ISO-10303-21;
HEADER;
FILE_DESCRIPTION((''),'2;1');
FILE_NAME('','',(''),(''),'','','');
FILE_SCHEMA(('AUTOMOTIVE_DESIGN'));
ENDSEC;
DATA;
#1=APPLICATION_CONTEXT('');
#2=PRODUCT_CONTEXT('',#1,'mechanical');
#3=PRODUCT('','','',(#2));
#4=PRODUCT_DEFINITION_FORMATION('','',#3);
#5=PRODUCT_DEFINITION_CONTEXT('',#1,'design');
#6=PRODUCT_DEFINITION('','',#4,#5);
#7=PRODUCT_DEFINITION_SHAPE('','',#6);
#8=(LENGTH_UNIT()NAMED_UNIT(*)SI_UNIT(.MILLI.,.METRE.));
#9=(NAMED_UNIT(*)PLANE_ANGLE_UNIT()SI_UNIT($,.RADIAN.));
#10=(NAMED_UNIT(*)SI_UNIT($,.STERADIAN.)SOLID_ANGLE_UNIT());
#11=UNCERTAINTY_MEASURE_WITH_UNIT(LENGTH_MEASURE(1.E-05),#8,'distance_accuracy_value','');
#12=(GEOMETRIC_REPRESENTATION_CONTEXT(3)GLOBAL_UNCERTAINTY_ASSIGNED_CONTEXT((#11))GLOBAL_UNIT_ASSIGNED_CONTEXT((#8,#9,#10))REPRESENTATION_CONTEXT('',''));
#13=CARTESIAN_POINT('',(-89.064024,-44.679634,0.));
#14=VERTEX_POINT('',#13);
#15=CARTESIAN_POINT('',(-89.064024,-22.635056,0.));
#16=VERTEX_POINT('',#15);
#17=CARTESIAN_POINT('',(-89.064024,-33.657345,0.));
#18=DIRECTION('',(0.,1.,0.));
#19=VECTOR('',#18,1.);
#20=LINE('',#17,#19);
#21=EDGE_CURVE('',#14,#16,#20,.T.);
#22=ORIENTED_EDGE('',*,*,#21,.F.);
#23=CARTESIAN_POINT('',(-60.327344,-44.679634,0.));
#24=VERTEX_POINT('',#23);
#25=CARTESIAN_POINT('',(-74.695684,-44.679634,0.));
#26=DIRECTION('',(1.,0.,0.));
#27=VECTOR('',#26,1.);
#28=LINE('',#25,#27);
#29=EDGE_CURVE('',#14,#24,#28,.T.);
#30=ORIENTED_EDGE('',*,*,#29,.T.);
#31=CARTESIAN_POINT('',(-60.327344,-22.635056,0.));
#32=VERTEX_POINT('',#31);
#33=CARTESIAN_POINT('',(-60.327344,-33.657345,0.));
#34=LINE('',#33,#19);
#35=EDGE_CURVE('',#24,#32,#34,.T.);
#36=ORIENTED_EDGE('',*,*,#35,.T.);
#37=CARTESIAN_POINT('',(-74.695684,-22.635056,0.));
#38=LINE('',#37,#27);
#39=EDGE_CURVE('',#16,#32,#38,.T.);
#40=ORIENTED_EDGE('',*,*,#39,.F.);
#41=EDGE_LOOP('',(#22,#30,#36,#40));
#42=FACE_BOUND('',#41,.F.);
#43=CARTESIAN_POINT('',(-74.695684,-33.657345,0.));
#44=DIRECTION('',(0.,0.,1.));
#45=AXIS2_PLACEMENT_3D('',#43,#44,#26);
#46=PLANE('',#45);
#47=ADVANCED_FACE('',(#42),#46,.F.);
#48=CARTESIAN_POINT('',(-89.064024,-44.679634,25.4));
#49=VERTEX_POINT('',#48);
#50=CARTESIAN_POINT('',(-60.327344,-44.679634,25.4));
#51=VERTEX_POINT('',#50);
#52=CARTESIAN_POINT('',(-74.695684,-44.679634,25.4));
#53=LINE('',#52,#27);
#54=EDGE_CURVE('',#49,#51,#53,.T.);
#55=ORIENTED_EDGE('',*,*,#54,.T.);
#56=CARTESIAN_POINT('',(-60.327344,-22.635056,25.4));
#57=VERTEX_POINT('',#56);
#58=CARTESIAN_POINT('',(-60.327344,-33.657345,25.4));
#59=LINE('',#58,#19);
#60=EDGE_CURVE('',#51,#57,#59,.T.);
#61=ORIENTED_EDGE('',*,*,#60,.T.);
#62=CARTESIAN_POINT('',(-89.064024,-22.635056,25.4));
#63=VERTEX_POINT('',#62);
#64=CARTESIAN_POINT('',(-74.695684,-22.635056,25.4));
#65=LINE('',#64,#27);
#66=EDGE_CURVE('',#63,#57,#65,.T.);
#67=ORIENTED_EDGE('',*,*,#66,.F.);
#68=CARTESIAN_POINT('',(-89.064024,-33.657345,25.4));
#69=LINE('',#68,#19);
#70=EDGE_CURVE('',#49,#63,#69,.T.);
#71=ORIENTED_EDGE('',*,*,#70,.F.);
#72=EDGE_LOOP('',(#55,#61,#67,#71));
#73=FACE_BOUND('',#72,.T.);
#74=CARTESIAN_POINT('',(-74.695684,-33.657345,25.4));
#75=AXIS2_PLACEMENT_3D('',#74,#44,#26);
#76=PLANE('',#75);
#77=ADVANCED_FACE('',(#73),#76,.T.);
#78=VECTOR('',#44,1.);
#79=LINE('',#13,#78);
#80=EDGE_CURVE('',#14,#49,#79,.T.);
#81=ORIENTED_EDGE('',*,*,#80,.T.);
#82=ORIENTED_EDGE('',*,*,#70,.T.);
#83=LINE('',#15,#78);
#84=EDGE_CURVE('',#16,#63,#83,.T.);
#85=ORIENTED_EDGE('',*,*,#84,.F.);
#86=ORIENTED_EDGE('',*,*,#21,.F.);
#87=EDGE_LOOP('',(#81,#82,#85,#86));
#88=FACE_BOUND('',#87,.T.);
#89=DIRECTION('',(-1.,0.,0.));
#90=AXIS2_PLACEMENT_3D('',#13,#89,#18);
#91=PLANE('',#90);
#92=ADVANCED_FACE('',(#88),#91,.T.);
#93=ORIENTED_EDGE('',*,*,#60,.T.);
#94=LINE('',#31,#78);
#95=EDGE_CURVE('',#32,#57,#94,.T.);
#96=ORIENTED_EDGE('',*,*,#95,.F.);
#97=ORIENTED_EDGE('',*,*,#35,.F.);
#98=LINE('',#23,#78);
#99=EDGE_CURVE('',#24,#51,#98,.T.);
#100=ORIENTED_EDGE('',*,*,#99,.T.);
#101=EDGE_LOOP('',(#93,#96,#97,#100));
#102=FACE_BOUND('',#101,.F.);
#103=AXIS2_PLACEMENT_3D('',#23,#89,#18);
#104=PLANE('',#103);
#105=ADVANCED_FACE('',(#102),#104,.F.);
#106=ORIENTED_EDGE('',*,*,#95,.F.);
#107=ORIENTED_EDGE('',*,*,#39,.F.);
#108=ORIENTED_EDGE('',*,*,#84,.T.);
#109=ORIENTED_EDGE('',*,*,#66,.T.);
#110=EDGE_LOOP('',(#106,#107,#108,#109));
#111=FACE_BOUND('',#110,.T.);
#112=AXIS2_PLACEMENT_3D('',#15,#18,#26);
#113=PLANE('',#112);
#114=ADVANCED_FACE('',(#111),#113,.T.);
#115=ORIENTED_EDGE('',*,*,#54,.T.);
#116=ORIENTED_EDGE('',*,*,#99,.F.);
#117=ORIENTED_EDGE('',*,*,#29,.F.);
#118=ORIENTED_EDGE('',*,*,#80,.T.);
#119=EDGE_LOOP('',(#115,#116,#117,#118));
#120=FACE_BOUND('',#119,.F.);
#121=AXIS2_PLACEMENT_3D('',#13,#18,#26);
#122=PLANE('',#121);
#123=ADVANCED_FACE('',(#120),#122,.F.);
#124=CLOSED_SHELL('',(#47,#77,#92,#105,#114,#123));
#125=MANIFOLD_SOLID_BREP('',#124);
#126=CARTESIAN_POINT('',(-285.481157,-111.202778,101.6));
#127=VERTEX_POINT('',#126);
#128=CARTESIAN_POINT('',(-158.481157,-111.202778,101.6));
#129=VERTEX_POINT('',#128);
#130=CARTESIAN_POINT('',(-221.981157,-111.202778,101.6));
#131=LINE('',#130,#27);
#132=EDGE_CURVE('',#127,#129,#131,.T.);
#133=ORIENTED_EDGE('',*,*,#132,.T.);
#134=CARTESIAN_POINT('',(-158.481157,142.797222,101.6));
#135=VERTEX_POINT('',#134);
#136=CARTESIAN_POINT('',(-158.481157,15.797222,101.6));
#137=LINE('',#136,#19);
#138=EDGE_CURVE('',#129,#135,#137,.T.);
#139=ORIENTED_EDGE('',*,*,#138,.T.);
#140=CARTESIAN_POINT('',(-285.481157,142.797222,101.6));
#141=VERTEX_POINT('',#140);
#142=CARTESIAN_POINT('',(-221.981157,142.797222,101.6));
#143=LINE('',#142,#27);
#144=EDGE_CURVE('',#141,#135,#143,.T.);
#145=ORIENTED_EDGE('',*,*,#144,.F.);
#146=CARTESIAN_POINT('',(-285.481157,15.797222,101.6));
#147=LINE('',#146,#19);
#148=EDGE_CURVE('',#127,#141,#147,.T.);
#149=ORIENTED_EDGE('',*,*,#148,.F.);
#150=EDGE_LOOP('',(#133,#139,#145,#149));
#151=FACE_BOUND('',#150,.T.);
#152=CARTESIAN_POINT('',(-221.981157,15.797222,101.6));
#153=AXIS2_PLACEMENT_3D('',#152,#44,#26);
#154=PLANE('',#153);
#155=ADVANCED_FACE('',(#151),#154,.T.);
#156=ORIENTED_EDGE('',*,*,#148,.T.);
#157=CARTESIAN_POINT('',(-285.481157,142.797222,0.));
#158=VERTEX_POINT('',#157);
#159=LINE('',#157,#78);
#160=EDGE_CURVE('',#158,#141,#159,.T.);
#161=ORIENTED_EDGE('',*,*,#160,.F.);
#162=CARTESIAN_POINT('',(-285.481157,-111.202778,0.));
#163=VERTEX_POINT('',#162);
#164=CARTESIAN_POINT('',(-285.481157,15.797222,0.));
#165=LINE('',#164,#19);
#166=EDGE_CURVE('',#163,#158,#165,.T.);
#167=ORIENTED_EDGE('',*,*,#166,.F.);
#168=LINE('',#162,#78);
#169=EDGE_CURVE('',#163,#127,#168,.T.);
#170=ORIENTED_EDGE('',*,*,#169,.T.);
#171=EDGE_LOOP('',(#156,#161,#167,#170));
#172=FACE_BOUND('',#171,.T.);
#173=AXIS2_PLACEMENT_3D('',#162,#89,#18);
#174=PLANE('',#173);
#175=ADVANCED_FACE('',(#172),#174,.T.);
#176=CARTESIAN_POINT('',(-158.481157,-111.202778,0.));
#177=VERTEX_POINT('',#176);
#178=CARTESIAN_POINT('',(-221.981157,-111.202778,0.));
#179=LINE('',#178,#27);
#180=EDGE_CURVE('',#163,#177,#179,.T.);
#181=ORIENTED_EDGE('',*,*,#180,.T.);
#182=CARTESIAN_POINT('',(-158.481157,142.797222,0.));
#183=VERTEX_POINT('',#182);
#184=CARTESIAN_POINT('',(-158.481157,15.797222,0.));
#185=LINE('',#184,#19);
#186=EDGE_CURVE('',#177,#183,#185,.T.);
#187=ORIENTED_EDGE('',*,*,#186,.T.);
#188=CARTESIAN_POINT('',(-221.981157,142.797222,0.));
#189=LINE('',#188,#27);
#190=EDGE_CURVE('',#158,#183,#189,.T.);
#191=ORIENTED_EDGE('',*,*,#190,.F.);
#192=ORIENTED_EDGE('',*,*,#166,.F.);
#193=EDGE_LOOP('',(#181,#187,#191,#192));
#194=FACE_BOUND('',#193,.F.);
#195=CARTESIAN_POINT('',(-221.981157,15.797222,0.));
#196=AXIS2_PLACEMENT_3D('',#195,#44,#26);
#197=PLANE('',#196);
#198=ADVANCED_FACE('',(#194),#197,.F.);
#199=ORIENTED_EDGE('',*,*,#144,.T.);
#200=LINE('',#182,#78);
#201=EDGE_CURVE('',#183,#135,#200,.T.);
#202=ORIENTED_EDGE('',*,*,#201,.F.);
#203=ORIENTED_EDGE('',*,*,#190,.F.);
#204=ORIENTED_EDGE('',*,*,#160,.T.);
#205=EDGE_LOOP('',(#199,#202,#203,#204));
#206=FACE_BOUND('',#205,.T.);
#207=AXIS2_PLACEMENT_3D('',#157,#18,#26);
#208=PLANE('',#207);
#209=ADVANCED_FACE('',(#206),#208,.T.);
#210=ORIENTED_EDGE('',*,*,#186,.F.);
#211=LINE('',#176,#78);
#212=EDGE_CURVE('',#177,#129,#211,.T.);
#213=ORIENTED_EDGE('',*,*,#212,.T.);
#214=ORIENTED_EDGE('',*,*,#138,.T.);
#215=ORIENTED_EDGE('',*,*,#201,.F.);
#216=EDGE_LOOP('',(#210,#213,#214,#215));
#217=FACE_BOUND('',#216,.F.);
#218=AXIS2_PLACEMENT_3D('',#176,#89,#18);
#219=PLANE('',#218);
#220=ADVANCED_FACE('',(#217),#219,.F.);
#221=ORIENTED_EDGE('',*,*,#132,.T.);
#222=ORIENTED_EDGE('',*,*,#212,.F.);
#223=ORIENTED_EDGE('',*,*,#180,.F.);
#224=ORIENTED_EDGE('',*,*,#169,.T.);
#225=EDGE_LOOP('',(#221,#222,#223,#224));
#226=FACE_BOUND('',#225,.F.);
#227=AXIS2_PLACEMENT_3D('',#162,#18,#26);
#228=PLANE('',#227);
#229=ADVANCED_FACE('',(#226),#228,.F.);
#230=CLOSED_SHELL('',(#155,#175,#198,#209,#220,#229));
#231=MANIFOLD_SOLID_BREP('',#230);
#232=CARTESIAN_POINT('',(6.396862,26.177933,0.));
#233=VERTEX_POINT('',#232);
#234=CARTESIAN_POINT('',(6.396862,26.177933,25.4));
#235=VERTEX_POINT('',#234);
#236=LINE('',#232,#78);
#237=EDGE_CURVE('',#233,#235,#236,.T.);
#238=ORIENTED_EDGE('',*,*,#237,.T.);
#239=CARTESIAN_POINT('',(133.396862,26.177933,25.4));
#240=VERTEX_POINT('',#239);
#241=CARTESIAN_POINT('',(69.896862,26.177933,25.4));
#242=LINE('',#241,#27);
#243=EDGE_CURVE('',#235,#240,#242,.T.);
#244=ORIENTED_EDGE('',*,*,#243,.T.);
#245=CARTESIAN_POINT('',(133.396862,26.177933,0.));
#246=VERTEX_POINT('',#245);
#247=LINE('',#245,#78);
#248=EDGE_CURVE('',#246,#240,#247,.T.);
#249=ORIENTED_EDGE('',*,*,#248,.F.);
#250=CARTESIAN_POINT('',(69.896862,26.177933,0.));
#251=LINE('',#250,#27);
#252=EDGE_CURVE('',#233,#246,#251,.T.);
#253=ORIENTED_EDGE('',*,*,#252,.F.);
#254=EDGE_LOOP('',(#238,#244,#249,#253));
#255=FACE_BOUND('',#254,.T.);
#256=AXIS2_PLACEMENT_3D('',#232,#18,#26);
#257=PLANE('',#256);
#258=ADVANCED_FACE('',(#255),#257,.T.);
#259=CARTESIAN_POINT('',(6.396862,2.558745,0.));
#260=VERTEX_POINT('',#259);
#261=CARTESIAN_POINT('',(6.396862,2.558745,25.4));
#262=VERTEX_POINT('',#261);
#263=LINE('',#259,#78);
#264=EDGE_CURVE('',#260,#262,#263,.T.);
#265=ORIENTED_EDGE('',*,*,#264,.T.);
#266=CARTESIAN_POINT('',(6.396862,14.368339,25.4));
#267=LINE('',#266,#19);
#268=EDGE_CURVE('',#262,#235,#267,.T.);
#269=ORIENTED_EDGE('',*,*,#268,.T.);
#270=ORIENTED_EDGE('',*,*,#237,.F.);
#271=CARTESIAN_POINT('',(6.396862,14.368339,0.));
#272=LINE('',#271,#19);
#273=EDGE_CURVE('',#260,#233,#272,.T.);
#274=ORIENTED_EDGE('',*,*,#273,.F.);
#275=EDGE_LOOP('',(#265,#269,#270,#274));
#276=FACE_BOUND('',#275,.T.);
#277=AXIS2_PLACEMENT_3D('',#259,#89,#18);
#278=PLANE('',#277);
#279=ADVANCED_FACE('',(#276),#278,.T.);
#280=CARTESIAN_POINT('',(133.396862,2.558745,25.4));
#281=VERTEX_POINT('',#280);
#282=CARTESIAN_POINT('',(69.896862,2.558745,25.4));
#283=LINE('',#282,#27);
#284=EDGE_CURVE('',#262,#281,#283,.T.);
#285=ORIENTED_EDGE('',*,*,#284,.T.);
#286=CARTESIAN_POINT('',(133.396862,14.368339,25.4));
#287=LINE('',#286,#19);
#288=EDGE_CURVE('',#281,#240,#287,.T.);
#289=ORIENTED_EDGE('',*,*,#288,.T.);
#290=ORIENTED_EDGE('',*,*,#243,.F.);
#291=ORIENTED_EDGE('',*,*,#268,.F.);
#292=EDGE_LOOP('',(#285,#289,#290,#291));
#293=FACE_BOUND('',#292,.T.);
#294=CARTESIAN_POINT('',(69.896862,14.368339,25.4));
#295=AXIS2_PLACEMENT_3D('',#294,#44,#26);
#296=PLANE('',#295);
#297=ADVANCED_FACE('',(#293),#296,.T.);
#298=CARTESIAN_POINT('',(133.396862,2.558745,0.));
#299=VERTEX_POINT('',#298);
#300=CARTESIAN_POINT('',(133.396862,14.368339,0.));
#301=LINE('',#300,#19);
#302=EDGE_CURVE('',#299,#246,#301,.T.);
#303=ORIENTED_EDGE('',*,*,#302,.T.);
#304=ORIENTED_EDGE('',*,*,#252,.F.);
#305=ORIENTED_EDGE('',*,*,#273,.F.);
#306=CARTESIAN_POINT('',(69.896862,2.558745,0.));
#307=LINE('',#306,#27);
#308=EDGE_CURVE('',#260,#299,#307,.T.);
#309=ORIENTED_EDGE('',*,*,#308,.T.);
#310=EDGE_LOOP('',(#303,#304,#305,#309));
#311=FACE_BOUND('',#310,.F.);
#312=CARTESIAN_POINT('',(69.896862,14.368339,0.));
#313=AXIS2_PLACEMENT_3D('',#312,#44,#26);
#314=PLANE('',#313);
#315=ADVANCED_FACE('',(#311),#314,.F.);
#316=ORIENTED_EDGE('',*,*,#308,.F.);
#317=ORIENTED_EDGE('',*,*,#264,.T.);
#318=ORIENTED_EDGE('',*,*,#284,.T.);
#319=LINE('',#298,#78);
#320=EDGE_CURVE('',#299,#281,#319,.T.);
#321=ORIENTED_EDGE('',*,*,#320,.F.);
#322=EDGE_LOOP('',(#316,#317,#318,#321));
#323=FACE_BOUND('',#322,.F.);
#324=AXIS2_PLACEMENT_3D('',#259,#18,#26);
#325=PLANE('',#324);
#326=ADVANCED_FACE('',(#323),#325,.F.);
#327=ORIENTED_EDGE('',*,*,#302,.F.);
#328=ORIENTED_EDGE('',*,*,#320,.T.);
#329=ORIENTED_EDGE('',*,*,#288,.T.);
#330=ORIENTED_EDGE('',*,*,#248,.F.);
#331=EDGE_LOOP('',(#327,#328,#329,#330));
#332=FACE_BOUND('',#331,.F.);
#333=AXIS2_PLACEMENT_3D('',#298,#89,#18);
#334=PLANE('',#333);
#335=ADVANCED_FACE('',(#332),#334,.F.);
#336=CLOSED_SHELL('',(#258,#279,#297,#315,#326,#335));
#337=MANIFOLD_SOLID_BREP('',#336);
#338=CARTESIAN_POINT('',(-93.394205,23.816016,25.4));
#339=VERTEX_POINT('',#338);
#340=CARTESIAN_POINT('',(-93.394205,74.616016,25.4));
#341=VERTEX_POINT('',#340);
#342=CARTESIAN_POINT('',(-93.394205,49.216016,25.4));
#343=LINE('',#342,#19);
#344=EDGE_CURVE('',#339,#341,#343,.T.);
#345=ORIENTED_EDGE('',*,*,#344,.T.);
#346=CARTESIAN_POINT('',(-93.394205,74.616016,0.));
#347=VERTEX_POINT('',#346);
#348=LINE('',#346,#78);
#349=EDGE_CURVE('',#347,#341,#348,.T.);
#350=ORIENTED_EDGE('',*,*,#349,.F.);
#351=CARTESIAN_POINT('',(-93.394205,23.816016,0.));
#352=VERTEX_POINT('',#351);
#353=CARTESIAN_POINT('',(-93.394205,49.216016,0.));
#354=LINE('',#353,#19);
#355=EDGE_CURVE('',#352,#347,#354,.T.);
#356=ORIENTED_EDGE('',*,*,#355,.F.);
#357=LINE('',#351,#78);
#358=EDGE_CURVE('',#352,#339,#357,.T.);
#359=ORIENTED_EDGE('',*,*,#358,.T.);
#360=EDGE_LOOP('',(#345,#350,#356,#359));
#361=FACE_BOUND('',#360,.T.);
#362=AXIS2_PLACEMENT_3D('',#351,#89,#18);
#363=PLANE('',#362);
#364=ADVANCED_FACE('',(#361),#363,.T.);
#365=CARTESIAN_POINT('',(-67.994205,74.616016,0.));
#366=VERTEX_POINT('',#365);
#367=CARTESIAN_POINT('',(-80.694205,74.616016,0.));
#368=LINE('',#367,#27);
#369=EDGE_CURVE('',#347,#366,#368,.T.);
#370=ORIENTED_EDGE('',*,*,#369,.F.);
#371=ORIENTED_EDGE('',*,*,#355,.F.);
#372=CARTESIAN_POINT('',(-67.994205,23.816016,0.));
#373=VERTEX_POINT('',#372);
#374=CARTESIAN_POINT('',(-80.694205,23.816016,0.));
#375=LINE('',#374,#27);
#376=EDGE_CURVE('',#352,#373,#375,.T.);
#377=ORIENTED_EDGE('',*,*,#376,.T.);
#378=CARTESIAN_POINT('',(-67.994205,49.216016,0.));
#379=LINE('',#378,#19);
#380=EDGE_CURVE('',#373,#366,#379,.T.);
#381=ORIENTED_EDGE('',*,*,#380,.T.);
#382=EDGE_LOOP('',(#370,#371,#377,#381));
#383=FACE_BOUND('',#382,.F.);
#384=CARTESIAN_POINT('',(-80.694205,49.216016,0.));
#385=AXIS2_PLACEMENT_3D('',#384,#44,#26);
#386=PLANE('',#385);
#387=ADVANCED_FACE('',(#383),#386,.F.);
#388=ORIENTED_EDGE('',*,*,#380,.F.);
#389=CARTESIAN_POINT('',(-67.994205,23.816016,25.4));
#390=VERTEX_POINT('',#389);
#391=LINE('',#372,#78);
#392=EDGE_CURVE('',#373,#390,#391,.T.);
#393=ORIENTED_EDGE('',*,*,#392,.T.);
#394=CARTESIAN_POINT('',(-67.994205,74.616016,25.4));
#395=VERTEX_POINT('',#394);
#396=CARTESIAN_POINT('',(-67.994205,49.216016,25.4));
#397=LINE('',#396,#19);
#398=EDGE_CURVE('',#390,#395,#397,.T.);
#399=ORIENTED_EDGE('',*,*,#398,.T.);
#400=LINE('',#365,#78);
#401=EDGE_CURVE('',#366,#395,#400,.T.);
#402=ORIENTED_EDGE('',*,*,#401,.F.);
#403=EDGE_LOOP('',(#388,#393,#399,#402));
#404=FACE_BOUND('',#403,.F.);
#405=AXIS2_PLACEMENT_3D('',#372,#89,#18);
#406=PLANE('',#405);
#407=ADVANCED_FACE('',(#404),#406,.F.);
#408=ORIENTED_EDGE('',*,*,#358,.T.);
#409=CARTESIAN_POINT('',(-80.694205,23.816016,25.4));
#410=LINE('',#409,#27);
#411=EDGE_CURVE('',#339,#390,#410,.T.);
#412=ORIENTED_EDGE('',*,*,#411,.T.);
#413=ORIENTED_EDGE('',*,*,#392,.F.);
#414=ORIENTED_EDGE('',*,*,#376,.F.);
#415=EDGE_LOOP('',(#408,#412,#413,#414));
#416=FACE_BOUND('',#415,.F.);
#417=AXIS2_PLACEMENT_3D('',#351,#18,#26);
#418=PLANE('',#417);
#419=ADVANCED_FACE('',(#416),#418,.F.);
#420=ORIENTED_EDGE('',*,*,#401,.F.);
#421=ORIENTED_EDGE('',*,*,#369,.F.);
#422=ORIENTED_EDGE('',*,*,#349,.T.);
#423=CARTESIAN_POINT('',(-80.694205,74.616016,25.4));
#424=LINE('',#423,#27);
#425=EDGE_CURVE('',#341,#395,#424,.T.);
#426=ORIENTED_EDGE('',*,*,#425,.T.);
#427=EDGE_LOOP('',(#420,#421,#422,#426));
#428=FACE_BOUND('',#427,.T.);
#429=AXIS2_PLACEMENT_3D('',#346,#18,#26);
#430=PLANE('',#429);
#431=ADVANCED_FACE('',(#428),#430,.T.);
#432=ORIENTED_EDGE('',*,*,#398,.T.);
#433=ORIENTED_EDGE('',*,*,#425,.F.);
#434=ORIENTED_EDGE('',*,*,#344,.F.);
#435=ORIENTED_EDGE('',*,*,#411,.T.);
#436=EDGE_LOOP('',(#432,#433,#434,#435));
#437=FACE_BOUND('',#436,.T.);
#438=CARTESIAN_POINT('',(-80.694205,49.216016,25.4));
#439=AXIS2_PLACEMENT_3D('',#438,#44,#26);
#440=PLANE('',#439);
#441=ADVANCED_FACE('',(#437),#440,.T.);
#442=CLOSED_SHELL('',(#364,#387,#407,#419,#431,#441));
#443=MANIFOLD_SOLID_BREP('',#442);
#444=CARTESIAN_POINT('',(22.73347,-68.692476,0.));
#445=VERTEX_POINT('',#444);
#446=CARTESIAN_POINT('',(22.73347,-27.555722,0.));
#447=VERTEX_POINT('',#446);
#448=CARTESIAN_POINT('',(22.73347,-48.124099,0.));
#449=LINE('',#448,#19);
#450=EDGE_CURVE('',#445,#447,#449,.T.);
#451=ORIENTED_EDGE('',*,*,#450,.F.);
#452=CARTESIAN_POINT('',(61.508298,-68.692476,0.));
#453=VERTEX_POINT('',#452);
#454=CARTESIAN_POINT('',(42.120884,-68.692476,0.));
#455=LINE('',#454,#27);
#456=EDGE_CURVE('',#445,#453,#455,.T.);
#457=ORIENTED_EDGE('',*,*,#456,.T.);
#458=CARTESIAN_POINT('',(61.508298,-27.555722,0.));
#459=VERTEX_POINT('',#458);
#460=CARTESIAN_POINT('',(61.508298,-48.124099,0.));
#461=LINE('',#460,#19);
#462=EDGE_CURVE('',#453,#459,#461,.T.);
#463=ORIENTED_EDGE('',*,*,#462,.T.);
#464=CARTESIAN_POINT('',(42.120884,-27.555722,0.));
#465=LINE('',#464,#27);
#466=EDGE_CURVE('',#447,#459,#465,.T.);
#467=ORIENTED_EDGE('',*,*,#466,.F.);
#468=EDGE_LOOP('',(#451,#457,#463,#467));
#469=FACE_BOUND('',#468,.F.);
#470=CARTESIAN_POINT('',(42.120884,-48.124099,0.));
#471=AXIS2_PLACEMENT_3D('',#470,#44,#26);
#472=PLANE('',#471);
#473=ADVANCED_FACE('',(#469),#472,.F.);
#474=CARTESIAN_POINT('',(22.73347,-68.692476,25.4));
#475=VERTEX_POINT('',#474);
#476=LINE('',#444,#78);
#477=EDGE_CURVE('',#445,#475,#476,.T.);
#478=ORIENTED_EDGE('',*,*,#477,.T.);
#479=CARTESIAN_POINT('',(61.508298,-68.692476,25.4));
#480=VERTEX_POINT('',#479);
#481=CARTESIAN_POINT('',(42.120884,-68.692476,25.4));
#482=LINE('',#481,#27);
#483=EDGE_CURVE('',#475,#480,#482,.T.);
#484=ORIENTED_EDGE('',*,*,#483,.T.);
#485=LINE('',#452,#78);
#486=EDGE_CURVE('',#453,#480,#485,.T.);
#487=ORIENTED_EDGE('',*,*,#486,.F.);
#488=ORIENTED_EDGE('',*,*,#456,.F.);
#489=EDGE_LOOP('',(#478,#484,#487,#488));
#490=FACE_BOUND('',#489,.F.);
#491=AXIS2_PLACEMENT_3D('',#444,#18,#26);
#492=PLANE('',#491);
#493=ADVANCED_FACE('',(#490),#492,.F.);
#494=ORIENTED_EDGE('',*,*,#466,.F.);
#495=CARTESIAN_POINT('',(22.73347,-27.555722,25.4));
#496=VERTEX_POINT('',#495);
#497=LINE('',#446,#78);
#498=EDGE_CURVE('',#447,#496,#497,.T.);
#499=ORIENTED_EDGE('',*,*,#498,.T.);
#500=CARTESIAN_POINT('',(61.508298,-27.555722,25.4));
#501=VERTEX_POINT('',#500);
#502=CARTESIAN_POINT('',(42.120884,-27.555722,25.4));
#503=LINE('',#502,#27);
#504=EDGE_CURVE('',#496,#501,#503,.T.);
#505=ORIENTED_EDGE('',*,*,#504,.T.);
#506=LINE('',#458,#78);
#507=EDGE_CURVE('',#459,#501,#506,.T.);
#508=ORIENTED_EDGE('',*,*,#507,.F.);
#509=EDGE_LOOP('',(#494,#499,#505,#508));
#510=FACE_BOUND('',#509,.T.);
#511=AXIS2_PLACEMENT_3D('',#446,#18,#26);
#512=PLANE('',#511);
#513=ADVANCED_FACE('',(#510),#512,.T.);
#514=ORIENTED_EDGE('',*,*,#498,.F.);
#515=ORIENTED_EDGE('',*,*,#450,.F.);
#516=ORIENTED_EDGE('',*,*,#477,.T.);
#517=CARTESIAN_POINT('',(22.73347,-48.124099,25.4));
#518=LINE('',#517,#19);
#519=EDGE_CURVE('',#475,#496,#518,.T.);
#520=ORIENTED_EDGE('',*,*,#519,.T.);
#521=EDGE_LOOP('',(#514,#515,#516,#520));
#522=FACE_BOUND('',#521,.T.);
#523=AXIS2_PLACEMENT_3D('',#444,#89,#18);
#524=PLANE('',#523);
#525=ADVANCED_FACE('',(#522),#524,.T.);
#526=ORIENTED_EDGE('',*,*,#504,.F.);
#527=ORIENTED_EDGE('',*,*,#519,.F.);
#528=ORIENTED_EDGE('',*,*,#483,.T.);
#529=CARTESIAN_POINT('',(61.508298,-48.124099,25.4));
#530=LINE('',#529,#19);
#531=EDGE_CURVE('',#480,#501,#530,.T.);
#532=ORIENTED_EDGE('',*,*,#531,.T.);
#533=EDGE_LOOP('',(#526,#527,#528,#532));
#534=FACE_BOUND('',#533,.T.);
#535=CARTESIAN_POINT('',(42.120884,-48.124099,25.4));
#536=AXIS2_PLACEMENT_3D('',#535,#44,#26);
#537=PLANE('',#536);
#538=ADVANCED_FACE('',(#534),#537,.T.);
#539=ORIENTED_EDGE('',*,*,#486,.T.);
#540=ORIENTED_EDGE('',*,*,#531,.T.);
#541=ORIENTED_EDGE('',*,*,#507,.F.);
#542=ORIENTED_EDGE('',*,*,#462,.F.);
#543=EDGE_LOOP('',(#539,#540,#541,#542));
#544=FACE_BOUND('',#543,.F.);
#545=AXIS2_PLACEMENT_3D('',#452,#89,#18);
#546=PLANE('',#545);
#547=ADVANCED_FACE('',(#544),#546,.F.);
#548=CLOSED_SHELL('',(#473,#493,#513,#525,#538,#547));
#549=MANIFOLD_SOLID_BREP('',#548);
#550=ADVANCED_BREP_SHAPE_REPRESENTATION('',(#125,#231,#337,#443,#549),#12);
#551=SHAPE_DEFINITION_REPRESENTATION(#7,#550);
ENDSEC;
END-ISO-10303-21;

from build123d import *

# Parameters (mm, degrees)
F0_W     = 25.4
F0_H     = 50.8
F0_W_2   = 127
F0_H_2   = 23.619188
F0_W_3   = 38.774828
F0_H_3   = 41.136755
F0_W_4   = 28.73668
F0_H_4   = 22.044578
F1_DEPTH = 25.4
F2_W     = 127
F2_H     = 254
F3_DEPTH = 101.6


with BuildPart() as f1:
    # F0 (on Top) → F1 (new body)
    with BuildSketch(Plane.XY):
        with Locations((-80.694205, 49.216016)):
            Rectangle(F0_W, F0_H)
        with Locations((69.896862, 14.368339)):
            Rectangle(F0_W_2, F0_H_2)
        with Locations((42.120884, -48.124099)):
            Rectangle(F0_W_3, F0_H_3)
        with Locations((-74.695684, -33.657345)):
            Rectangle(F0_W_4, F0_H_4)
    extrude(amount=F1_DEPTH)


with BuildPart() as f3:
    # F2 (on Top) → F3 (new body)
    with BuildSketch(Plane.XY):
        with Locations((-221.981157, 15.797222)):
            Rectangle(F2_W, F2_H)
    extrude(amount=F3_DEPTH)


solid = Compound([f1.part, f3.part])
